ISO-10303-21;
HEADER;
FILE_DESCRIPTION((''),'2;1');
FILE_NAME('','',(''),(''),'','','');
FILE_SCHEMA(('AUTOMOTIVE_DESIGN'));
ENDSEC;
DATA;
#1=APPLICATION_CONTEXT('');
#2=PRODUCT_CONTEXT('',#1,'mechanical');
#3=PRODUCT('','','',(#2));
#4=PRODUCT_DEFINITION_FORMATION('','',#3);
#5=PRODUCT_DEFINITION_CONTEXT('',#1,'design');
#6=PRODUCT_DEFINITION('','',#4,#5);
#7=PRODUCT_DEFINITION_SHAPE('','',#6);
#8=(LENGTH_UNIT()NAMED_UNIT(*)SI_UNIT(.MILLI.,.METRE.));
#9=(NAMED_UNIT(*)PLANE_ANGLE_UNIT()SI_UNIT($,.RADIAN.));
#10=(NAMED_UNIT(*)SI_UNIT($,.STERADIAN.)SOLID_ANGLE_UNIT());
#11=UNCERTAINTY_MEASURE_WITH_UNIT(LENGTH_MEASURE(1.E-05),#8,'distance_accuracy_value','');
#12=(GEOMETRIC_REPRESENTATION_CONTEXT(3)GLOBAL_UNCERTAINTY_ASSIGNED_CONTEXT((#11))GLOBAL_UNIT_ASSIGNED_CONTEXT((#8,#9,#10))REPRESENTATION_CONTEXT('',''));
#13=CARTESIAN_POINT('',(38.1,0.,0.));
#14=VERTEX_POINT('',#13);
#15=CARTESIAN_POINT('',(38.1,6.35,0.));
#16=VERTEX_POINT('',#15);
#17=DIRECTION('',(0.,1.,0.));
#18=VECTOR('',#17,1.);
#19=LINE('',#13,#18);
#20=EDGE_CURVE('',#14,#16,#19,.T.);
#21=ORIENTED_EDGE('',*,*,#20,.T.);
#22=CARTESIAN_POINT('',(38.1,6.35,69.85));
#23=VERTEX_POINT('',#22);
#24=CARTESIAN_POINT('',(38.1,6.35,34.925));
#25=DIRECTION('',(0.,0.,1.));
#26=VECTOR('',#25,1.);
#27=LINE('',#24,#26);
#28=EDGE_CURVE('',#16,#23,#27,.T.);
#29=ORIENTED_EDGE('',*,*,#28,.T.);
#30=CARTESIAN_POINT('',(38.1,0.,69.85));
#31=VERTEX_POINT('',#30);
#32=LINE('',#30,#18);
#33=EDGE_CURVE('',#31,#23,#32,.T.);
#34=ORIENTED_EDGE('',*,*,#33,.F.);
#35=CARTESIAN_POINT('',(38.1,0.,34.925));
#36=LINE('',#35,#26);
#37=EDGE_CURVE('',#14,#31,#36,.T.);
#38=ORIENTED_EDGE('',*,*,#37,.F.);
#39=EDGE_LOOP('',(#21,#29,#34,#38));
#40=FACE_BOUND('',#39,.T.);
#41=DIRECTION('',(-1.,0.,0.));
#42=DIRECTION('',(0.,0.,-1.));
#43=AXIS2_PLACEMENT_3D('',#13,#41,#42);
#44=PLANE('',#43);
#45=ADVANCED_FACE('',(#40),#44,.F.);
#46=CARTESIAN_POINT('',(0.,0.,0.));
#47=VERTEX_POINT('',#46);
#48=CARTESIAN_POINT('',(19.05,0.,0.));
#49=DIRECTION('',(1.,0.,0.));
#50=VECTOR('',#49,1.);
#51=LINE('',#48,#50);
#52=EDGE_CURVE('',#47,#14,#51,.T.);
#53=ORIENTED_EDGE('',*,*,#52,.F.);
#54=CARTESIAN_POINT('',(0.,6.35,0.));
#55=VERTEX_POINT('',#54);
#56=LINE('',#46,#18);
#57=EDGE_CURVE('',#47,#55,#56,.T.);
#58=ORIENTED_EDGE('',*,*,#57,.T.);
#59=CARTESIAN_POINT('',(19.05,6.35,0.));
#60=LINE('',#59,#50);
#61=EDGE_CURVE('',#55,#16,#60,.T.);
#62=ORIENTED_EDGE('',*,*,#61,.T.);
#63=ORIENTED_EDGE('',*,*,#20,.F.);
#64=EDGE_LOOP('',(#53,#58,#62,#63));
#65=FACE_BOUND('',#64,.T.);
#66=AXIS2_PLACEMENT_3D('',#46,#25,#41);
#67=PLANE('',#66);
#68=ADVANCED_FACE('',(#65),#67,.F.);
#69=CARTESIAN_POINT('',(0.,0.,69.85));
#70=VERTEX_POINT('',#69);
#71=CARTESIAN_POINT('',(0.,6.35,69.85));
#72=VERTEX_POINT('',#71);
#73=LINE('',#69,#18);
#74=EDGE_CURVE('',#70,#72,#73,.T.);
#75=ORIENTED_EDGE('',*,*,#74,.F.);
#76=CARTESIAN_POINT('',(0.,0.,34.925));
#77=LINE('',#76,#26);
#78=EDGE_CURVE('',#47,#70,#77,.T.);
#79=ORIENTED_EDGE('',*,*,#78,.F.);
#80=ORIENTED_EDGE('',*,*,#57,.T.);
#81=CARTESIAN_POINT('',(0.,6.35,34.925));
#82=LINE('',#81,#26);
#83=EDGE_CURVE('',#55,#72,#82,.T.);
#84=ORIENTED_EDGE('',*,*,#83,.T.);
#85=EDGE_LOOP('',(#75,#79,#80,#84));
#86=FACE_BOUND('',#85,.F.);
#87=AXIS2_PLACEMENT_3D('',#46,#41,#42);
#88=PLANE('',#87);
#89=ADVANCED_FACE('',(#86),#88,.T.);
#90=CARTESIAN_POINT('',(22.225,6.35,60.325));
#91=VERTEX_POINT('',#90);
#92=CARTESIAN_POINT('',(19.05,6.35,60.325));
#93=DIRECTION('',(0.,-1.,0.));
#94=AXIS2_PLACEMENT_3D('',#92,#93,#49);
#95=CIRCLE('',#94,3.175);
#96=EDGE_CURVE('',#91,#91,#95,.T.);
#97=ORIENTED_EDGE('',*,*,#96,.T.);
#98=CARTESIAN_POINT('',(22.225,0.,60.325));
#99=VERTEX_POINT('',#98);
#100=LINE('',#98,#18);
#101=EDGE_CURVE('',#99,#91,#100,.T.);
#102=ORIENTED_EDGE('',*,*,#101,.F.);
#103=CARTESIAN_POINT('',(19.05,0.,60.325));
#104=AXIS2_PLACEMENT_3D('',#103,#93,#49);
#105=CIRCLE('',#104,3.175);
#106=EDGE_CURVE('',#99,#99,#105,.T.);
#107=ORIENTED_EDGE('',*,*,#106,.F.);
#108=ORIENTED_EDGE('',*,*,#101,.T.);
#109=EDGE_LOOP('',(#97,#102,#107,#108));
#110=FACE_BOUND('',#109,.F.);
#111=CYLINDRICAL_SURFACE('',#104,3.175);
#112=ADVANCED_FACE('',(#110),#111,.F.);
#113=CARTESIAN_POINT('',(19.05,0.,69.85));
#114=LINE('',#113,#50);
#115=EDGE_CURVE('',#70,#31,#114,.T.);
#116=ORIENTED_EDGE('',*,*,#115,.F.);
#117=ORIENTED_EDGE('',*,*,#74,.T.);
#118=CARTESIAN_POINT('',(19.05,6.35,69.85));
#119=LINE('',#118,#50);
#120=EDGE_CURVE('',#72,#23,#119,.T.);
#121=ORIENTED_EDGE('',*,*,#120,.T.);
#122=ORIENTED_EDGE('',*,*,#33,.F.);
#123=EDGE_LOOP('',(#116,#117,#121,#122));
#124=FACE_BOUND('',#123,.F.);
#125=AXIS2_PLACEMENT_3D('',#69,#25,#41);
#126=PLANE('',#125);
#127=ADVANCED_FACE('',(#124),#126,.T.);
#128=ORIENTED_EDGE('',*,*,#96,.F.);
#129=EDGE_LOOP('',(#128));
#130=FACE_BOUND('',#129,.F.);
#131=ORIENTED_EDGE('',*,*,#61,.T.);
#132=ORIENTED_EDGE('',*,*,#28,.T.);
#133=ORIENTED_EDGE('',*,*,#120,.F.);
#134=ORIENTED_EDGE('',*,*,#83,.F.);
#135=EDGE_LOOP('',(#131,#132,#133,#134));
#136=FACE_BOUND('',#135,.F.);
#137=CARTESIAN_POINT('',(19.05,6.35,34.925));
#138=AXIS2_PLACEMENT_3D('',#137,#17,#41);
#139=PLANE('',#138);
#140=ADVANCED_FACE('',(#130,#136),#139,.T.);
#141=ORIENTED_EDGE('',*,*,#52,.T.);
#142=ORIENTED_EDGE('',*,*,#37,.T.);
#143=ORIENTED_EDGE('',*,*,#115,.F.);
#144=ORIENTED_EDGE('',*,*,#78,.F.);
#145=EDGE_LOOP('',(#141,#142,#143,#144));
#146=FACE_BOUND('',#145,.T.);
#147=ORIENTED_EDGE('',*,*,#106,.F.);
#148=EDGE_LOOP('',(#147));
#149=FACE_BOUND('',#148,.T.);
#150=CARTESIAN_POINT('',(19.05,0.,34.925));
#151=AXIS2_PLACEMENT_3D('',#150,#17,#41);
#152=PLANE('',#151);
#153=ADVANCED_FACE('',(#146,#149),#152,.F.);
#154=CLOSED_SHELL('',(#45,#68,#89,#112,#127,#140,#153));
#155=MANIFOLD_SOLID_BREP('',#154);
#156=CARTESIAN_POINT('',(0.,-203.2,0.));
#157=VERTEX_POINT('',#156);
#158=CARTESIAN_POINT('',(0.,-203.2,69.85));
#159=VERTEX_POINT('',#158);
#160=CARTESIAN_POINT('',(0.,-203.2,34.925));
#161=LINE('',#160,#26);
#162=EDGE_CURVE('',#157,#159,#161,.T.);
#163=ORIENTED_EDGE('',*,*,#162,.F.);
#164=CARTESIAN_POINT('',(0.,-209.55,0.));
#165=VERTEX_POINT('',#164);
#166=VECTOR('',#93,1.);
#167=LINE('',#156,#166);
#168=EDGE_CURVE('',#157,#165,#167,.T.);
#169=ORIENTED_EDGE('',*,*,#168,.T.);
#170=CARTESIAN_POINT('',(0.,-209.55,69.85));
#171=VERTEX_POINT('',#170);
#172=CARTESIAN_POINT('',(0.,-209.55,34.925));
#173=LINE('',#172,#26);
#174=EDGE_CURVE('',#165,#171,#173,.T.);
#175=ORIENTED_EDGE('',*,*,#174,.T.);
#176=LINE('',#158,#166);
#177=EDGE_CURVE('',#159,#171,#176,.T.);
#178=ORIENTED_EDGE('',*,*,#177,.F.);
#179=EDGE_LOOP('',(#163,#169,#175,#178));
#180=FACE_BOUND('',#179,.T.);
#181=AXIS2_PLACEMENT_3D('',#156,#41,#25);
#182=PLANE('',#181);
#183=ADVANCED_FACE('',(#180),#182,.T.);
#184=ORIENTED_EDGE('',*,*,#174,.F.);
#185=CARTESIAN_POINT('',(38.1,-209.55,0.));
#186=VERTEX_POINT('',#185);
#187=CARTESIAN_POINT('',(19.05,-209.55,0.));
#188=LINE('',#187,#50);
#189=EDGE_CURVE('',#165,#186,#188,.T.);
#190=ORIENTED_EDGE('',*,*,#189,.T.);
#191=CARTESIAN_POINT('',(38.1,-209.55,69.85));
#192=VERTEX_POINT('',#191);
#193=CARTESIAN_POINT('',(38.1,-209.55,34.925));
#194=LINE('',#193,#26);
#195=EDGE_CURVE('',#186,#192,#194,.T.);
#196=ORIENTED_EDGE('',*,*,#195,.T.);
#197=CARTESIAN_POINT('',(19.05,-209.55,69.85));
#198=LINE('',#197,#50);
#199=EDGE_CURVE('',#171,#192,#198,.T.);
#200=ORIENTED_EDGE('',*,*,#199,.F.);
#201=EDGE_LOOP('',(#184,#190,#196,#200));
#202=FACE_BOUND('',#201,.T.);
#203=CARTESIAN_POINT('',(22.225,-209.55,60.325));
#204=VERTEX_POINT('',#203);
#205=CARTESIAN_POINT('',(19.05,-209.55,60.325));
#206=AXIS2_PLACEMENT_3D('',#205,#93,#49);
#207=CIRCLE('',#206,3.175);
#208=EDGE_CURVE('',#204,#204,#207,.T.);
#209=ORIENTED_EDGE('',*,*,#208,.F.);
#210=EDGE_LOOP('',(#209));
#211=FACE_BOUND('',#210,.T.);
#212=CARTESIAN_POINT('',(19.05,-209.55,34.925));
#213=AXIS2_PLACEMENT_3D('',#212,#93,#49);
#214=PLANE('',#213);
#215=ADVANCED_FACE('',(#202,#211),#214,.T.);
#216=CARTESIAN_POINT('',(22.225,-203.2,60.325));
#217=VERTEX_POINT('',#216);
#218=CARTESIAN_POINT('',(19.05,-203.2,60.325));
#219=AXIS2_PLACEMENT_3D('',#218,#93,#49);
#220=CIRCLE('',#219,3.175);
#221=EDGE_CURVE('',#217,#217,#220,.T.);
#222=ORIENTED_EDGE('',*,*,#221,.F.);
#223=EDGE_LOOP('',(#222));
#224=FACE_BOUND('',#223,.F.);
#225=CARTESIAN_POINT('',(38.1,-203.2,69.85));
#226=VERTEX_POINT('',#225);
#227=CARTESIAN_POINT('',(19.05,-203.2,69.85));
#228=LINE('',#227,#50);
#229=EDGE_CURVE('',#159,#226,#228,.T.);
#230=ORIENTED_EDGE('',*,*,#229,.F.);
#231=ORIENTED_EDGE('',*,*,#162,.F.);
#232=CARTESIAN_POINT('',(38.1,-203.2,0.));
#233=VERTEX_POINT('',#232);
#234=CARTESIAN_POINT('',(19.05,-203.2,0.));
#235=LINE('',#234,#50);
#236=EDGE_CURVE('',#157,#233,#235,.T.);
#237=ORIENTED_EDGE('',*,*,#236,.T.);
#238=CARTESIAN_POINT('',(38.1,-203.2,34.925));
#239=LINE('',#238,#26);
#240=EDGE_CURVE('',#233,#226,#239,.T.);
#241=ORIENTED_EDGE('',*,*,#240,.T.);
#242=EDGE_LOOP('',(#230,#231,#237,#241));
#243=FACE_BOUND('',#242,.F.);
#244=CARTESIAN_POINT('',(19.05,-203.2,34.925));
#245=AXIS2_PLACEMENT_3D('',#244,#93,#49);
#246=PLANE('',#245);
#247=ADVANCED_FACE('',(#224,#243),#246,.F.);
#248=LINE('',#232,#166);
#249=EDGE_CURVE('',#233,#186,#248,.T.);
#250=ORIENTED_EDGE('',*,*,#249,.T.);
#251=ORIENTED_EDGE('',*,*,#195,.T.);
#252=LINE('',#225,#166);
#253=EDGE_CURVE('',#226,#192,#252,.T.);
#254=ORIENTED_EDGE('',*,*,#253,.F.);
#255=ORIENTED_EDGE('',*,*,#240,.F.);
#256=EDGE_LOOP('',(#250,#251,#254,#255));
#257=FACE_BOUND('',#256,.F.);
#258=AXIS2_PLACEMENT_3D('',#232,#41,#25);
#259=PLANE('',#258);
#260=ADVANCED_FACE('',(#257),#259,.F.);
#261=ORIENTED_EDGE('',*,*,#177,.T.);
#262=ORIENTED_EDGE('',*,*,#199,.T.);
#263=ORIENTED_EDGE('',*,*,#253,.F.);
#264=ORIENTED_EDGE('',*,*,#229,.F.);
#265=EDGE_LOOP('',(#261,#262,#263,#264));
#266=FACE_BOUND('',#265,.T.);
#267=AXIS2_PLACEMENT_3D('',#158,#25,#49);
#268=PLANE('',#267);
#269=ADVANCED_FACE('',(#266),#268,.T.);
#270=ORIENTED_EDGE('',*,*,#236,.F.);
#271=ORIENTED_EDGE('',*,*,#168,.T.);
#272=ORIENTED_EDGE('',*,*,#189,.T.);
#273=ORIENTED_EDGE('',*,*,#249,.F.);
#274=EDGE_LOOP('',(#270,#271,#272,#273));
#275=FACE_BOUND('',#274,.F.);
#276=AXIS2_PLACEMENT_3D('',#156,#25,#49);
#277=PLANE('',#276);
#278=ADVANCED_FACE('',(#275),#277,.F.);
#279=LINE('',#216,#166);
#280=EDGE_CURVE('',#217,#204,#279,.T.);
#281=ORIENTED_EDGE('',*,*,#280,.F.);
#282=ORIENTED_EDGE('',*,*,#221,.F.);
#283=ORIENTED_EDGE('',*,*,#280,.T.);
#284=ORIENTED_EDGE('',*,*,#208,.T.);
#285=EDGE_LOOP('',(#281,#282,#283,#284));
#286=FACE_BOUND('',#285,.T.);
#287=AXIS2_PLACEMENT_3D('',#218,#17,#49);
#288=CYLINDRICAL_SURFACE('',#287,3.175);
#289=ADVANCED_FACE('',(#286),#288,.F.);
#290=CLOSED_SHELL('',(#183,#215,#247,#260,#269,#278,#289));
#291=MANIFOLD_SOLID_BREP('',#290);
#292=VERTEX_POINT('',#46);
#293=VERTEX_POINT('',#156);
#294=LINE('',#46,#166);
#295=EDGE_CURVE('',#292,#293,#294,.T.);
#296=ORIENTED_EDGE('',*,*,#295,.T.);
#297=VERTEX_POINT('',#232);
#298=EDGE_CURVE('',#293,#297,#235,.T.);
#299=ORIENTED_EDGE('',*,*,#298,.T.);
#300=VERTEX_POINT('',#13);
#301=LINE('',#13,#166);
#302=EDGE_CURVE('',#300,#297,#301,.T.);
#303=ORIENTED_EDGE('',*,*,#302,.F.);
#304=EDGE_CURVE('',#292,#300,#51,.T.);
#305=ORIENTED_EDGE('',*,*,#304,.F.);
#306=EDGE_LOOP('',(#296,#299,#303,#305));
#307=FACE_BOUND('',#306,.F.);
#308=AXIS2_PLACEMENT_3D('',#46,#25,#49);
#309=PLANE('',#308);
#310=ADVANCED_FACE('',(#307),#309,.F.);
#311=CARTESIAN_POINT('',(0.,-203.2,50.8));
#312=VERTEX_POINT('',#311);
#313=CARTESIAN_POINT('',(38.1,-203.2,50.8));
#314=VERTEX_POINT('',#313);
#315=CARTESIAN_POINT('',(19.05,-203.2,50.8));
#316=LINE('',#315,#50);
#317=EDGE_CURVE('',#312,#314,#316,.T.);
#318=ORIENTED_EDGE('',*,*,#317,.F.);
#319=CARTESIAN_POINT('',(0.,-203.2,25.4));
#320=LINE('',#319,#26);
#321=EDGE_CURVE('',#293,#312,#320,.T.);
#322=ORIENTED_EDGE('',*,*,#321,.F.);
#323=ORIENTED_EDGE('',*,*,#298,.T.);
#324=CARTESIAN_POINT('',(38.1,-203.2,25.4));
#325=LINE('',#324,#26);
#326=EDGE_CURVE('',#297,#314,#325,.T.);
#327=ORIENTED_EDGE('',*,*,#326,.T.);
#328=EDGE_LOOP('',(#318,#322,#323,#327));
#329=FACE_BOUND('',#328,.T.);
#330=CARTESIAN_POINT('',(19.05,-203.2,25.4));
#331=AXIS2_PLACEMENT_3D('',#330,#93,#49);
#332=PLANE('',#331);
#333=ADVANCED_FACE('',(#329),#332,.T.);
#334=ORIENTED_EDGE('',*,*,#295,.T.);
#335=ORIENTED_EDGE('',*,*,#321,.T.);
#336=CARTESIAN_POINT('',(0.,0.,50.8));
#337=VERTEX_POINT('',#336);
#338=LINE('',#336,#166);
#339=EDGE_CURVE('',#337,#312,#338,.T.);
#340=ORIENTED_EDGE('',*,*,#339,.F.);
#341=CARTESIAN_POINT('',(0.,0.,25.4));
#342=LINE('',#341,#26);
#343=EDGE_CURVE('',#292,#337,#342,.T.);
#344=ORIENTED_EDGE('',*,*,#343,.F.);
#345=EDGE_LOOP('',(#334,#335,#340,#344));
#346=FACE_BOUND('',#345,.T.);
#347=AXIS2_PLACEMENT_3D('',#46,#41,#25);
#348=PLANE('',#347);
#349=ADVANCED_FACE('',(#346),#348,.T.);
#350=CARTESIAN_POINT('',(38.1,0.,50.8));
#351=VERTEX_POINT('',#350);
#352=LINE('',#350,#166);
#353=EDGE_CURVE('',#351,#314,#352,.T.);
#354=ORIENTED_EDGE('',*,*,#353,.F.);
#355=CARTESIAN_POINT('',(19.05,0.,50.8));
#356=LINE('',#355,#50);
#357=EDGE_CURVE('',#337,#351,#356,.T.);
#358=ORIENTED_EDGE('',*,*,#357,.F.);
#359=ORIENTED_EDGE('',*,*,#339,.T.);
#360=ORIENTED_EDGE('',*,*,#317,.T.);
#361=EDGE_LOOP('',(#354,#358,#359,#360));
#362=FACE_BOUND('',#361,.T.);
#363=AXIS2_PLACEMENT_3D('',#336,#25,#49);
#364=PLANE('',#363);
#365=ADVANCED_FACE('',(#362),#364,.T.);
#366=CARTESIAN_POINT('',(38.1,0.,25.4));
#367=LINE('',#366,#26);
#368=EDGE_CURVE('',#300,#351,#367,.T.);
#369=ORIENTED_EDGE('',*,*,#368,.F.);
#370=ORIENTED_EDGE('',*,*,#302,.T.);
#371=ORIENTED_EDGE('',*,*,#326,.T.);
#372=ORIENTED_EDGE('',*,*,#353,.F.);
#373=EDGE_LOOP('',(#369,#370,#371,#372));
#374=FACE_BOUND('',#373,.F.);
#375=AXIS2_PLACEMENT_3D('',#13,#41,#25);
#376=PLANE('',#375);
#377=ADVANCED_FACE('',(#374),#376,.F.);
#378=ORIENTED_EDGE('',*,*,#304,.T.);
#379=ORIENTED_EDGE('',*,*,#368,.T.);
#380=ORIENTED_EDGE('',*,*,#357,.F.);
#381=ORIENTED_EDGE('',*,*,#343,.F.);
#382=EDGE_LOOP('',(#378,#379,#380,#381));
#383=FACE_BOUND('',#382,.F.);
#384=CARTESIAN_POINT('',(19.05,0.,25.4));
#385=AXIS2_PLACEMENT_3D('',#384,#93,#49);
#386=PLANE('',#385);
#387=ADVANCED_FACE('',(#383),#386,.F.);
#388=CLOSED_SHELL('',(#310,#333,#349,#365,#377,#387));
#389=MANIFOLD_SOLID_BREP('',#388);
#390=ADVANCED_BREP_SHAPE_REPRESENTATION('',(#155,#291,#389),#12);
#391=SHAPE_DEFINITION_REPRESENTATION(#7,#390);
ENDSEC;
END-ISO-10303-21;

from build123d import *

# Parameters (mm, degrees)
F0_W     = 38.1
F0_H     = 50.8
F1_DEPTH = 203.2
F6_W     = 38.1
F6_H     = 69.85
F6_R     = 3.175
F7_DEPTH = 6.35


with BuildPart() as f1:
    # F0 (on Front) → F1 (new body)
    with BuildSketch(Plane.XZ):
        with Locations((19.05, 25.4)):
            Rectangle(F0_W, F0_H)
    extrude(amount=F1_DEPTH)


with BuildPart() as f7:
    # F6 (on face) → F7 (new body)
    with BuildSketch(Plane.XZ.offset(203.2)):
        with Locations((19.05, 34.925)):
            Rectangle(F6_W, F6_H)
        with Locations((19.05, 60.325)):
            Circle(F6_R, mode=Mode.SUBTRACT)
    extrude(amount=F7_DEPTH)


with BuildPart() as f8_1:
    # F8: instance of F7
    add(f7.part.mirror(Plane(origin=(0, -101.6, 50.8), x_dir=(1, 0, 0), z_dir=(0, -1, 0))))


solid = Compound([f1.part, f7.part, f8_1.part])
